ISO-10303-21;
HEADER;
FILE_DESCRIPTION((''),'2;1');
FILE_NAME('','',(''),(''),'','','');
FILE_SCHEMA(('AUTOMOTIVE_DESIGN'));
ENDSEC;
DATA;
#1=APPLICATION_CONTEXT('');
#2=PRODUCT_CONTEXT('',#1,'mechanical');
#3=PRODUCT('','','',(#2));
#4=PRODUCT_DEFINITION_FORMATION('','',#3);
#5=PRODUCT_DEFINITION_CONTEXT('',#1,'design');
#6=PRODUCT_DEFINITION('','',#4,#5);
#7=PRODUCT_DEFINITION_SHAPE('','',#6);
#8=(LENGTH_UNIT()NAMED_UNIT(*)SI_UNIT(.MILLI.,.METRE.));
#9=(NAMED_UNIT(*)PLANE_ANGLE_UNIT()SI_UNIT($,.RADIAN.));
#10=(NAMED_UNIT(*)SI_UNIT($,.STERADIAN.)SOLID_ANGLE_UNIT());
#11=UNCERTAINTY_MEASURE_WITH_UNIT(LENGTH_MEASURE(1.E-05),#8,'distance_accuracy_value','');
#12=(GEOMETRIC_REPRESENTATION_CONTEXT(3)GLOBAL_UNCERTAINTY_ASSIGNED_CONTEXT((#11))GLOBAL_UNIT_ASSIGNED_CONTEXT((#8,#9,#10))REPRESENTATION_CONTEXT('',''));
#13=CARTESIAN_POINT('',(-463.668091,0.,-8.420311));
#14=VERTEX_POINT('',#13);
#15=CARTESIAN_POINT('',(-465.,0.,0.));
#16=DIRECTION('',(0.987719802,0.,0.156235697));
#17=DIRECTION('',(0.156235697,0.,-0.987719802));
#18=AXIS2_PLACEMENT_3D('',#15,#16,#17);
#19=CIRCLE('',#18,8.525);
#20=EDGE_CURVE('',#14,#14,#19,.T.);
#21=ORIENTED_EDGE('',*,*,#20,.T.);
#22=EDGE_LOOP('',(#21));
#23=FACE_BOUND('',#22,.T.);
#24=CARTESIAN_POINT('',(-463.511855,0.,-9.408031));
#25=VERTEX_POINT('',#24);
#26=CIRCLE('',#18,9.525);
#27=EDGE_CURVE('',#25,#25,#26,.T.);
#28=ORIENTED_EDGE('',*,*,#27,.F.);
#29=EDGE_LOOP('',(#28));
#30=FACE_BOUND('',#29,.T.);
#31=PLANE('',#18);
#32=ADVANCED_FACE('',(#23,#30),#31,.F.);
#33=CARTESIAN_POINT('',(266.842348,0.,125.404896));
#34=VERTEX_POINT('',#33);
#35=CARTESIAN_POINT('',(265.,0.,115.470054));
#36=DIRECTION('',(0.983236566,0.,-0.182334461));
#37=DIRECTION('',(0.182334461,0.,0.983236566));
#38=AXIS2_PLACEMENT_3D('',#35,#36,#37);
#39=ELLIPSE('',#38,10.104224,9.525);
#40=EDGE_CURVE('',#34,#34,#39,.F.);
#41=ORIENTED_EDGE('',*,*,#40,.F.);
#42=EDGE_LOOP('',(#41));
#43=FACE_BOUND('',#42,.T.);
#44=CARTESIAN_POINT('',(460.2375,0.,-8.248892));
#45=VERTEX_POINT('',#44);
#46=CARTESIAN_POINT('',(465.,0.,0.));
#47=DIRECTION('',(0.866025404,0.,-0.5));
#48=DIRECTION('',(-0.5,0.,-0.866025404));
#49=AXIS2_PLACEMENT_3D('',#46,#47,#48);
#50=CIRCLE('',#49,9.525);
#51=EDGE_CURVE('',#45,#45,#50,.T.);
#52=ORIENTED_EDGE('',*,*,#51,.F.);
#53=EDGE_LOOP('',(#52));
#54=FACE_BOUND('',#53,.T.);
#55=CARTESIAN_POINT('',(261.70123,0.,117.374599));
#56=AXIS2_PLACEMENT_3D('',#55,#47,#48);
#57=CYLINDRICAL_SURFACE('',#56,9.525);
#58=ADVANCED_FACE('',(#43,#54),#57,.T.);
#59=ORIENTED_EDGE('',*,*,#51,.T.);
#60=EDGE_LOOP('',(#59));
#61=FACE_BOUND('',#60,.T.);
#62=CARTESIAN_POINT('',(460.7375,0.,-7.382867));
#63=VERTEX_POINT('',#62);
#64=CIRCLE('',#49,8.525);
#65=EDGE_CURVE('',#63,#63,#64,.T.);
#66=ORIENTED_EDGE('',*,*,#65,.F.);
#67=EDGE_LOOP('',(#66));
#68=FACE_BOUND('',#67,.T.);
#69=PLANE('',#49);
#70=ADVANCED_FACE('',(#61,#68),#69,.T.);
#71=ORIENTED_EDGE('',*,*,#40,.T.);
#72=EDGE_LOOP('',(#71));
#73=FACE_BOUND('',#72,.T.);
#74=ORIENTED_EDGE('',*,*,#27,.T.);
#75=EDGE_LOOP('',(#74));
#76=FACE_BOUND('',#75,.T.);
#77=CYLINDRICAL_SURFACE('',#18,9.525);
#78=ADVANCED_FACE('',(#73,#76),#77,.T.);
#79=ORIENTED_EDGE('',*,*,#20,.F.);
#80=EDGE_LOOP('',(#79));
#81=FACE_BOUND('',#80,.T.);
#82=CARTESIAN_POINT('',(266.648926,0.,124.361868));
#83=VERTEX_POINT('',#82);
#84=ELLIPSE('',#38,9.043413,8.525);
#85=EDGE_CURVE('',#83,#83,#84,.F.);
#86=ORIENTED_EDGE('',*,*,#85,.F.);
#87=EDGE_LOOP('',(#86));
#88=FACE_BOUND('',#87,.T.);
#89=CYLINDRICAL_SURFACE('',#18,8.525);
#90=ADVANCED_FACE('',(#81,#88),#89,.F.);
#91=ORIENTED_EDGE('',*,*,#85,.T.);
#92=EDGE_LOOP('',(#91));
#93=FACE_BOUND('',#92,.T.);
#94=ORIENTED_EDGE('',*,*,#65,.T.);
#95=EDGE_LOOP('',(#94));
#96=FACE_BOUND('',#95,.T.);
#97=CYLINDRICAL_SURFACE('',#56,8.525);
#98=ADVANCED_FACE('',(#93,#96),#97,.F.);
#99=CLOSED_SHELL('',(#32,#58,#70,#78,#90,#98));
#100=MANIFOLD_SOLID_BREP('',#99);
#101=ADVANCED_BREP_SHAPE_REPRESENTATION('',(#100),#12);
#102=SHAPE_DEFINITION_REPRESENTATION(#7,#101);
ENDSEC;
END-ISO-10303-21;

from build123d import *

# Parameters (mm, degrees)
SKETCH2_R   = 9.525
SKETCH2_R_2 = 8.525


with BuildPart() as part:
    # Sweep-Thin1: sweep along a path in Sketch1
    with BuildLine(Plane(origin=(0, 0, 0), x_dir=(1, 0, 0), z_dir=(0, 1, 0))) as sweep_thin1_path:
        Line((465, 0), (265, -115.470053838))
        Line((265, -115.470053838), (-465, 0))
    # Sketch2 → Sweep-Thin1 (sweep)
    with BuildSketch(Plane(origin=(-465, 0, 0), x_dir=(0.156235697, 0, -0.987719802), z_dir=(0.987719802, 0, 0.156235697))):
        Circle(SKETCH2_R)
        Circle(SKETCH2_R_2, mode=Mode.SUBTRACT)
    sweep(path=sweep_thin1_path.line, transition=Transition.RIGHT)


solid = part.part
